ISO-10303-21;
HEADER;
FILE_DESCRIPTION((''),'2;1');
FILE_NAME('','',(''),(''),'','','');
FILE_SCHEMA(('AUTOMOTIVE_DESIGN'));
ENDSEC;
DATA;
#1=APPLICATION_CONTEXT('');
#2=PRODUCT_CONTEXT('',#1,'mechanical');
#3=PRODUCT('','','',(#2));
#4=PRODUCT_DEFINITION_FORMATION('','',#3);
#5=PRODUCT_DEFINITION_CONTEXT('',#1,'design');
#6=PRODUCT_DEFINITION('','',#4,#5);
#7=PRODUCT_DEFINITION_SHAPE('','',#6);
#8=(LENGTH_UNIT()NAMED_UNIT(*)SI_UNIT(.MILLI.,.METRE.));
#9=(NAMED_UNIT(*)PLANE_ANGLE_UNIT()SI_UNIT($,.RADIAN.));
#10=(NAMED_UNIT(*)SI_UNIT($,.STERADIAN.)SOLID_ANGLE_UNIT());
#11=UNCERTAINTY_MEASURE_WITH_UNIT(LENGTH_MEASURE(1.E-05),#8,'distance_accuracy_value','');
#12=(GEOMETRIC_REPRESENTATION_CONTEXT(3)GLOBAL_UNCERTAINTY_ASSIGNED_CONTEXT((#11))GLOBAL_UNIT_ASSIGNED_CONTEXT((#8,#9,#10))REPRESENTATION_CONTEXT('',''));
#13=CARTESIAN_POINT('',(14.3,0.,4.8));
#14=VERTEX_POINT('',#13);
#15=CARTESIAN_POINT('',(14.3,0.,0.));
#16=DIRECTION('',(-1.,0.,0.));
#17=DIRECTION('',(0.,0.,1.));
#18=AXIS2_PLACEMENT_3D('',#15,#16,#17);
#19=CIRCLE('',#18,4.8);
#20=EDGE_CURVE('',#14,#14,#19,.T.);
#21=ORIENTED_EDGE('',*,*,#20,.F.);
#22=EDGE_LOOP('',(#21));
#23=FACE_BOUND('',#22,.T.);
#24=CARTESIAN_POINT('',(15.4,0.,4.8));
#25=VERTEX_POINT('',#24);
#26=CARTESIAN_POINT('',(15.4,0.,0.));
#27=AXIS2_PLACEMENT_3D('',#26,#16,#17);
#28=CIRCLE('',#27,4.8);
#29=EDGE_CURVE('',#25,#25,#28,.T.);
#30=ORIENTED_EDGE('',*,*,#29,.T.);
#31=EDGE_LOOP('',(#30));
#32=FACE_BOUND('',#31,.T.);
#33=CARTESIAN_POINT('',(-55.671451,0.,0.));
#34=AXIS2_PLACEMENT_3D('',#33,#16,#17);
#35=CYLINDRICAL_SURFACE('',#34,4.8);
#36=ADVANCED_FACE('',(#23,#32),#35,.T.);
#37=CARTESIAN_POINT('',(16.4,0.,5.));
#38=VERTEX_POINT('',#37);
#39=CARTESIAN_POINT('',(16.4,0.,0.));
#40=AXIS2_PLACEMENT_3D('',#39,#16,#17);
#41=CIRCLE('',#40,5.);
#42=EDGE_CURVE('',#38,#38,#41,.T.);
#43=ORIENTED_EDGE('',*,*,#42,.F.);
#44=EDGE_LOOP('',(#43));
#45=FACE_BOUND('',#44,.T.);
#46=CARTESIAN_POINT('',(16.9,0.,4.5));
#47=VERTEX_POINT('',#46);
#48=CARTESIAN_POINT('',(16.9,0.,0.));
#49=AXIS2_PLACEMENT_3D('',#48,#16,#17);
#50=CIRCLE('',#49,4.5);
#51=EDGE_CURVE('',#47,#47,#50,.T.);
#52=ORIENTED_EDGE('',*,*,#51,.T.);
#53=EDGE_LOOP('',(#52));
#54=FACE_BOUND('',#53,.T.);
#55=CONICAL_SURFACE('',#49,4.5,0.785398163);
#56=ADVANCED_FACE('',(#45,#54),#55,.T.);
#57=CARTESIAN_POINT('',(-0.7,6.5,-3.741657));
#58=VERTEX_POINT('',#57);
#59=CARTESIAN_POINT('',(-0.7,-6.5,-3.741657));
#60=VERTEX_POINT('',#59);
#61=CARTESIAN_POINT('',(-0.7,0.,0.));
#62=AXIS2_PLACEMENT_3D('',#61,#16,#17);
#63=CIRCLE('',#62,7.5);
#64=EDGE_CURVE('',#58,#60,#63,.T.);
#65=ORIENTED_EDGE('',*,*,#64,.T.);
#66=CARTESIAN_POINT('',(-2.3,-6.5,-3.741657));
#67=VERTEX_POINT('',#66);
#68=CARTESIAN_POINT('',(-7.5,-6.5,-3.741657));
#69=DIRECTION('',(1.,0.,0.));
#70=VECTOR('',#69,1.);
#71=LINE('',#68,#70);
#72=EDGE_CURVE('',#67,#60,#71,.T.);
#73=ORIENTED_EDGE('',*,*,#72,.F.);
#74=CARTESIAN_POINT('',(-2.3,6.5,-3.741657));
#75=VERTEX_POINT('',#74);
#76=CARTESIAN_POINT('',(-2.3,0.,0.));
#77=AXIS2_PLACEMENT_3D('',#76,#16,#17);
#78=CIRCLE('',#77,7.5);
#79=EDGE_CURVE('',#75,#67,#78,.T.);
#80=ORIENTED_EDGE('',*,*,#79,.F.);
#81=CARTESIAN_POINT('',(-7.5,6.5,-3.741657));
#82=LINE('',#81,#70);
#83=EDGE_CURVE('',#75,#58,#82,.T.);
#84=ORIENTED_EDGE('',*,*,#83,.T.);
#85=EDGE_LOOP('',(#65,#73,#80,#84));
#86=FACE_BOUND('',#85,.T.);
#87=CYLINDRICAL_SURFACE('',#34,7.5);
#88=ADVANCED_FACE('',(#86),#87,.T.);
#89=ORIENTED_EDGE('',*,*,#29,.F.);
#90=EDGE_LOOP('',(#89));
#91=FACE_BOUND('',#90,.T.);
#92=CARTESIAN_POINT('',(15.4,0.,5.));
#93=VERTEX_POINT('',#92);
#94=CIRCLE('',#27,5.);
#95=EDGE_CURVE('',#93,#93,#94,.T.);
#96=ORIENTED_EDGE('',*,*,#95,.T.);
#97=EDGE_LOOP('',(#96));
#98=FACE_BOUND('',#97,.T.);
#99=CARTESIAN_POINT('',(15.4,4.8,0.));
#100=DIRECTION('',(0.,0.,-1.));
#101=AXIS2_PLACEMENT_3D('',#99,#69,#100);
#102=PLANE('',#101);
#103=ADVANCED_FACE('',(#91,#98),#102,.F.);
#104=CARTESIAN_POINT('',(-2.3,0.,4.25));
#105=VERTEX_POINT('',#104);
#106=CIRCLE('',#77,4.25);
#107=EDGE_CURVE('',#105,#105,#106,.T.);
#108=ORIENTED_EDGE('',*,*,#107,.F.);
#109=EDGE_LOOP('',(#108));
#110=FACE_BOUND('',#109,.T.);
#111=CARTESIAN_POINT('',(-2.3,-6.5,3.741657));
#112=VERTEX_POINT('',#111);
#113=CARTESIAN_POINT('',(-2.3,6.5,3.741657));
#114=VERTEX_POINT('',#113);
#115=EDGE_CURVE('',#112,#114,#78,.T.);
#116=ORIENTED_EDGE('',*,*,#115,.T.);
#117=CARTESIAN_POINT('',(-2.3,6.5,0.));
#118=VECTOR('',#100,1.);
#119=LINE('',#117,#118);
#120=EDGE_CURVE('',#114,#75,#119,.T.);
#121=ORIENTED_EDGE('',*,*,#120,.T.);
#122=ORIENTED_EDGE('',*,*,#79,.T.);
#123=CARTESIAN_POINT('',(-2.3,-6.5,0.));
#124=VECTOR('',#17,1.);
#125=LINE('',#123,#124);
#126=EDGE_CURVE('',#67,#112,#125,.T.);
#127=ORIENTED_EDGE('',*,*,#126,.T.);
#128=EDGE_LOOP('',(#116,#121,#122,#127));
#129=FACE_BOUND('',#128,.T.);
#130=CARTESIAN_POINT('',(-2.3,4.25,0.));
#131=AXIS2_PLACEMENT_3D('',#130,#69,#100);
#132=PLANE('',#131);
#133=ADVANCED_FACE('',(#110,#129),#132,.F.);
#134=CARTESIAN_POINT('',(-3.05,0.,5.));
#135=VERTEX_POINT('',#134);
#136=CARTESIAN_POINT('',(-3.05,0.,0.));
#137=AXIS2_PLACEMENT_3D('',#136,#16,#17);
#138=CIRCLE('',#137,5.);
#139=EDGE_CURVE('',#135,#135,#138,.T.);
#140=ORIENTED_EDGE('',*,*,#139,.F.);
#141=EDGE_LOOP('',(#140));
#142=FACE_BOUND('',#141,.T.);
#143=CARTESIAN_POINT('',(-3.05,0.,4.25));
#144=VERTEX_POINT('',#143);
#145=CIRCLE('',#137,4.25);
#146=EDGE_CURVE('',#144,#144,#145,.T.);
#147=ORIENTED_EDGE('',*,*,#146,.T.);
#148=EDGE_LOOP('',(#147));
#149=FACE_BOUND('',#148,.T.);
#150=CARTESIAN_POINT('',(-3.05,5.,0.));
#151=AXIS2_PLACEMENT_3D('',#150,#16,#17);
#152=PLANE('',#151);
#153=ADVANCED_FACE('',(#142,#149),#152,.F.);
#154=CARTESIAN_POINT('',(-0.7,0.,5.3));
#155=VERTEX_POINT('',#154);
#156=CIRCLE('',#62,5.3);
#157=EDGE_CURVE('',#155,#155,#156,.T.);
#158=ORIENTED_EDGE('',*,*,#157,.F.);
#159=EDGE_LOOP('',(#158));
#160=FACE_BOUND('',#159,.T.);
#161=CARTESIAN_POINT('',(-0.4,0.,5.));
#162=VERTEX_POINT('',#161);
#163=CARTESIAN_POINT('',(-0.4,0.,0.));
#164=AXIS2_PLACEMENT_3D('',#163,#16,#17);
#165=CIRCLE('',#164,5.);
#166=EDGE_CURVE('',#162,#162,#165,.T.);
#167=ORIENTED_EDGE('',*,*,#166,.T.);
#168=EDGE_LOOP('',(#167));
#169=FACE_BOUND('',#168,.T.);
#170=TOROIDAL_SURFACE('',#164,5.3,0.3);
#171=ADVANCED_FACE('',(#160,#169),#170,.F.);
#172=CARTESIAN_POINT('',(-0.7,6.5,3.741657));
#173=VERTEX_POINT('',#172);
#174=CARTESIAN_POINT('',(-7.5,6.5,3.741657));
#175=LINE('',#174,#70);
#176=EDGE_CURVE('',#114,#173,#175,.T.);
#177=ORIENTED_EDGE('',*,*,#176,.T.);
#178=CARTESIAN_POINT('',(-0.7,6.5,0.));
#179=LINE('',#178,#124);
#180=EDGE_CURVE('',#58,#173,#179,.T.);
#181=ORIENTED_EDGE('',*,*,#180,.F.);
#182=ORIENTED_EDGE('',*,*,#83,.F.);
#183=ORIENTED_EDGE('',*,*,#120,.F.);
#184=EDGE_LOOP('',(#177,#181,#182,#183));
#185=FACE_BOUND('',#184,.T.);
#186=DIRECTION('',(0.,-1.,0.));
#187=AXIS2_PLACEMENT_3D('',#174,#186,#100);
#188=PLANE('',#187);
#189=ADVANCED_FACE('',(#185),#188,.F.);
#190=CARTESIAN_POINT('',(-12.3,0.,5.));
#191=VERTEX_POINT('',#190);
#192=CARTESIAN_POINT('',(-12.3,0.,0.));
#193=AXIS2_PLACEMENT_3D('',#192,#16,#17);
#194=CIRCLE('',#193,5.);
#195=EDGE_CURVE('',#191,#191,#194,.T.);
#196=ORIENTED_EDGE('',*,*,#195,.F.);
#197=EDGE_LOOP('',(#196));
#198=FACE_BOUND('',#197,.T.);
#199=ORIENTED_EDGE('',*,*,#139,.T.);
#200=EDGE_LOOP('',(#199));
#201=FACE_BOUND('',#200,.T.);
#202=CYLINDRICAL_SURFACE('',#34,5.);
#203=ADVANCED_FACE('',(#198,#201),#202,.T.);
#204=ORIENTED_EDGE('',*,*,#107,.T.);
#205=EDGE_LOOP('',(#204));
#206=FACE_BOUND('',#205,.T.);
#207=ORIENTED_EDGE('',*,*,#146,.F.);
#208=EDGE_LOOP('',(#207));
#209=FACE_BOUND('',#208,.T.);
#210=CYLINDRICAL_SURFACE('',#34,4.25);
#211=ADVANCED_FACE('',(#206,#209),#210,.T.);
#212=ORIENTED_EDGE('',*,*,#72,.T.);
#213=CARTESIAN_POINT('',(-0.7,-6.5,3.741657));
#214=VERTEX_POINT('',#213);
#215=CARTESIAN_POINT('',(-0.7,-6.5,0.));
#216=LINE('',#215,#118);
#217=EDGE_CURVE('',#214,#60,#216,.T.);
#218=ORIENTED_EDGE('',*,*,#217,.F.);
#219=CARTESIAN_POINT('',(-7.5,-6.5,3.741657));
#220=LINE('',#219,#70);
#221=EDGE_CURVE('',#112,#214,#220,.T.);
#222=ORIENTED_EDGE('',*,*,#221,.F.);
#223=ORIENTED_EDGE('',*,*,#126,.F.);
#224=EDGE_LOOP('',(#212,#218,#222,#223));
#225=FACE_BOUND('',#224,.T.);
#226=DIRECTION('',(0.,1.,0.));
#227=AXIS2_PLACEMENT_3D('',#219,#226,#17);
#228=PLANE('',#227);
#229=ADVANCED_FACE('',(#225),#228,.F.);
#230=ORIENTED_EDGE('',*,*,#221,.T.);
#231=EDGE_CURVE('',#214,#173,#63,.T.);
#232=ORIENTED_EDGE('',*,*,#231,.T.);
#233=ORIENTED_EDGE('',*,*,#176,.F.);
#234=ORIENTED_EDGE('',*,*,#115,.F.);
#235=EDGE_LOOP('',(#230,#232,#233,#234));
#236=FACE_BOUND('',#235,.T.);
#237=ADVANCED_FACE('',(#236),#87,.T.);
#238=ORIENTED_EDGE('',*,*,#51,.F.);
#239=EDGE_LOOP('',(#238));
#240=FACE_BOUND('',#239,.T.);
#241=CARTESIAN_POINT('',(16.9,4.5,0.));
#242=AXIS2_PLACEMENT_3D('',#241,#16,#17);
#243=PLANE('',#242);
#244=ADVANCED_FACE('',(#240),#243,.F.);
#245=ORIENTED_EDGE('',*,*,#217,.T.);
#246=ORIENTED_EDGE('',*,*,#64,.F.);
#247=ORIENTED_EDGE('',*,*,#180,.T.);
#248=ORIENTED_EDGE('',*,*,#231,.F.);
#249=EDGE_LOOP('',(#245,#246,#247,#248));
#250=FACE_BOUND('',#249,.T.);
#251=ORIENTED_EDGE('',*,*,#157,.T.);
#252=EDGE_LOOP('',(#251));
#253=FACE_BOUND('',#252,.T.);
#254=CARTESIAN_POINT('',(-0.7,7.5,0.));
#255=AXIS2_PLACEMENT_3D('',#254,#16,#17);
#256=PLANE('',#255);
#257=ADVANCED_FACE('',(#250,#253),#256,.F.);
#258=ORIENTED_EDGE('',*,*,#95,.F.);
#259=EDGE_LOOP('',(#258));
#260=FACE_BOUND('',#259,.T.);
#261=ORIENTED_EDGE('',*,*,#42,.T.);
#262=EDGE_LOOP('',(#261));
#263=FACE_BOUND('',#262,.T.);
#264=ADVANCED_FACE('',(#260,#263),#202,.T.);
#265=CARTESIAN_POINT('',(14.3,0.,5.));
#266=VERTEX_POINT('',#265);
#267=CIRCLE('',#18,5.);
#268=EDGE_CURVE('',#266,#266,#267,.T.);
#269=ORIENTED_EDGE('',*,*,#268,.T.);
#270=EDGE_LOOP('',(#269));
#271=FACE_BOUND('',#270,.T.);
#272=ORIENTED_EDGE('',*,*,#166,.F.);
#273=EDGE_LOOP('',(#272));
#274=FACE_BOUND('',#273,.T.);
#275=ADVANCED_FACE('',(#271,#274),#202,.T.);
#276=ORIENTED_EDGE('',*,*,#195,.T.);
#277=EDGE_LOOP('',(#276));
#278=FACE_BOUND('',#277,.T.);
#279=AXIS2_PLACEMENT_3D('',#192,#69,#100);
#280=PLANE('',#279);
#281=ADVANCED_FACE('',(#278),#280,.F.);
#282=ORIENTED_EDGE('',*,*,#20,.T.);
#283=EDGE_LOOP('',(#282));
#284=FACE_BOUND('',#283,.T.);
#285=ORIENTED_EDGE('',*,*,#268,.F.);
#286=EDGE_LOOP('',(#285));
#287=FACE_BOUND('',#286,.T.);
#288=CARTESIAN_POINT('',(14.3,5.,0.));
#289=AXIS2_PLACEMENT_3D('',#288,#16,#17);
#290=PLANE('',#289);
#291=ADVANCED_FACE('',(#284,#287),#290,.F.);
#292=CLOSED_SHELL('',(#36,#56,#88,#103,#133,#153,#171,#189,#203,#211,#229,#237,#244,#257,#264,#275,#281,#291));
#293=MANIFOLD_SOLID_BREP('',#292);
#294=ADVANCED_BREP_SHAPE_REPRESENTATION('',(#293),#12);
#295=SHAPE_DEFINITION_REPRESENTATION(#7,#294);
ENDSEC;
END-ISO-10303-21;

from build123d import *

# Parameters (mm, degrees)
SCHNITT_LINEAR_AUSTRAGEN2_DEPTH = 7.5


with BuildPart() as part:
    # Skizze1 → Rotation1 (revolve)
    with BuildSketch(Plane.XY, mode=Mode.PRIVATE) as rotation1_sk:
        with BuildLine():
            Line((14.3, 4.8), (15.4, 4.8))
            Line((15.4, 4.8), (15.4, 5))
            Line((15.4, 5), (16.4, 5))
            Line((16.4, 5), (16.9, 4.5))
            Line((16.9, 4.5), (16.9, 0))
            Line((16.9, 0), (-12.3, 0))
            Line((-12.3, 0), (-12.3, 5))
            Line((-12.3, 5), (-3.05, 5))
            Line((-3.05, 5), (-3.05, 4.25))
            Line((-3.05, 4.25), (-2.3, 4.25))
            Line((-2.3, 4.25), (-2.3, 7.5))
            Line((-2.3, 7.5), (-0.7, 7.5))
            Line((-0.7, 7.5), (-0.7, 5.3))
            ThreePointArc((-0.7, 5.3), (-0.612132034, 5.087867966), (-0.4, 5))
            Line((-0.4, 5), (14.3, 5))
            Line((14.3, 5), (14.3, 4.8))
        make_face()
    revolve(rotation1_sk.sketch.rotate(Axis((-55.671450842, 0, 0), (1, 0, 0)), 90), axis=Axis((-55.671450842, 0, 0), (1, 0, 0)))

    # Skizze5 → Schnitt-Linear austragen2 (cut, symmetric)
    with BuildSketch(Plane(origin=(0, 0, 0), x_dir=(0, 0, -1), z_dir=(1, 0, 0))):
        with BuildLine():
            Line((-3.741657387, 6.5), (3.741657387, 6.5))
            ThreePointArc((3.741657387, 6.5), (0, 7.5), (-3.741657387, 6.5))
        make_face()
        with BuildLine():
            Line((-3.741657387, -6.5), (3.741657387, -6.5))
            ThreePointArc((3.741657387, -6.5), (0, -7.5), (-3.741657387, -6.5))
        make_face()
    extrude(amount=SCHNITT_LINEAR_AUSTRAGEN2_DEPTH, both=True, mode=Mode.SUBTRACT)


solid = part.part
